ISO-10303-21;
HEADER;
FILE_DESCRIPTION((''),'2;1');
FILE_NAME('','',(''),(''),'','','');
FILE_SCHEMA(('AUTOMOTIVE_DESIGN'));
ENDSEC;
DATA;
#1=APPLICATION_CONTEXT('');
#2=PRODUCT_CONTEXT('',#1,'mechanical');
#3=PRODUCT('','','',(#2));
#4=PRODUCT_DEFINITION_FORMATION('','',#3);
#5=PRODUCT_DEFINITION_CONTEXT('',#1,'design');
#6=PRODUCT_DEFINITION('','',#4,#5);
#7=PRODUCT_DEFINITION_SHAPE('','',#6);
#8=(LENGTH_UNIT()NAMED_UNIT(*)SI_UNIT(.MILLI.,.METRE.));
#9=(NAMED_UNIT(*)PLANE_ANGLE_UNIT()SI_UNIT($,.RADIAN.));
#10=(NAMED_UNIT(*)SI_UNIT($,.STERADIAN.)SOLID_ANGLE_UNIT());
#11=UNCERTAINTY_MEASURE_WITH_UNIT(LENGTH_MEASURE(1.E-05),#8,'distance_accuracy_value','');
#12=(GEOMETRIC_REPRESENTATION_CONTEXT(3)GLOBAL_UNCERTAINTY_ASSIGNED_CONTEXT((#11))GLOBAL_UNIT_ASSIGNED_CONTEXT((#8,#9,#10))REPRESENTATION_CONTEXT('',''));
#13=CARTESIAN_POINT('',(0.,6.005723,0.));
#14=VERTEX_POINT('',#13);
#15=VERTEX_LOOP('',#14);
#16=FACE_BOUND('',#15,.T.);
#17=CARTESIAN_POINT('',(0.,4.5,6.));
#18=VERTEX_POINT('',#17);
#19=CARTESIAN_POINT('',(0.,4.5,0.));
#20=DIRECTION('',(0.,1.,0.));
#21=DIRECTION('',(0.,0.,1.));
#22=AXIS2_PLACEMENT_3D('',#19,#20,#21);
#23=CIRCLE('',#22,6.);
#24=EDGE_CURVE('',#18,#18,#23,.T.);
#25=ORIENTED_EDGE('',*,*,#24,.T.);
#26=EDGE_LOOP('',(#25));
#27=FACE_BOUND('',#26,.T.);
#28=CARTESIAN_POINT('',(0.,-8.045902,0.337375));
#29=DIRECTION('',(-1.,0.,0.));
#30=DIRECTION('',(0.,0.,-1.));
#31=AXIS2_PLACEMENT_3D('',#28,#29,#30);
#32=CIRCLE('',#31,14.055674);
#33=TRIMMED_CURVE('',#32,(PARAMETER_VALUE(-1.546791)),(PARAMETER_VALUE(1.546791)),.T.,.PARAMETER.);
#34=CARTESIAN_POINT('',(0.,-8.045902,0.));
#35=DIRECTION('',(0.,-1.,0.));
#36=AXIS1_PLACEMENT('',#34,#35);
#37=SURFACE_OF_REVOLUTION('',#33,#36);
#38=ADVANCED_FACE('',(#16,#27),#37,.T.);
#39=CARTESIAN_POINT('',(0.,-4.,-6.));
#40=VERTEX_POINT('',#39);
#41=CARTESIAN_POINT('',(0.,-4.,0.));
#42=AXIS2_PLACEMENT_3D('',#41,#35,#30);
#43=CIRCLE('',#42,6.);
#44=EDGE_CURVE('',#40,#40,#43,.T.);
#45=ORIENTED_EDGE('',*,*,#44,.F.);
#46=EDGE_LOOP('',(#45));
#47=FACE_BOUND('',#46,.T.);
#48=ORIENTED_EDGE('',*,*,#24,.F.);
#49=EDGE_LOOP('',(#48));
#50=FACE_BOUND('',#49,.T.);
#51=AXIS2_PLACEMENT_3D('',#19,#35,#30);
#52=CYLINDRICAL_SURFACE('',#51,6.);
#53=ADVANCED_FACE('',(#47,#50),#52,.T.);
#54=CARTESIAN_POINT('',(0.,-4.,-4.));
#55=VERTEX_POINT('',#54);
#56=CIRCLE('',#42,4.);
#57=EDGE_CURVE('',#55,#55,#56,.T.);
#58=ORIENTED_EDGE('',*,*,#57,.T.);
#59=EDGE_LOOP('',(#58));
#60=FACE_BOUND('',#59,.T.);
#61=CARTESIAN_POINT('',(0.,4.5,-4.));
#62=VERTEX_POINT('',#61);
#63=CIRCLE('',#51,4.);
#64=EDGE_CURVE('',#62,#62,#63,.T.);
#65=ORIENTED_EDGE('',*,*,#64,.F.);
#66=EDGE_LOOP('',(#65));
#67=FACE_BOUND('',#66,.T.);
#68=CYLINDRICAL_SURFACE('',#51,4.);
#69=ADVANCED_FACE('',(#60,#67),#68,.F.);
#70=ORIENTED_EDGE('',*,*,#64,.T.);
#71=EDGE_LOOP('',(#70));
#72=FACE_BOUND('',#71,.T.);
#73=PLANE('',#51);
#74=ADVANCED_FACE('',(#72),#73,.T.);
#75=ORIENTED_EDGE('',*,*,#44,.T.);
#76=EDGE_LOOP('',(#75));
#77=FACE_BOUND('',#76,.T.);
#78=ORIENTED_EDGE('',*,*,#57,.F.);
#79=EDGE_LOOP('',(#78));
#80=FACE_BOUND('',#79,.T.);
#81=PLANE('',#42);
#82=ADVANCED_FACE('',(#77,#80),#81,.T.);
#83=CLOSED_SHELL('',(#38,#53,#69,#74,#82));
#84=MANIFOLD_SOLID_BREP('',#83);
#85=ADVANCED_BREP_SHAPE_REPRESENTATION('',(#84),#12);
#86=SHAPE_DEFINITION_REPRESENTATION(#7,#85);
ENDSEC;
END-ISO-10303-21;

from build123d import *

# Parameters (mm, degrees)
IZIM1_R                     = 6
IZIM1_R_2                   = 4
Y_KSEKLIK_EKSTR_ZYON1_DEPTH = 4.5
BOSS_EXTRUDE1_START         = 4
SKETCH1_R                   = 6
SKETCH1_R_2                 = 4
BOSS_EXTRUDE1_DEPTH         = 4


with BuildPart() as part:
    # Çizim1 → Yükseklik-Ekstrüzyon1 (new body)
    with BuildSketch(Plane(origin=(0, 0, 0), x_dir=(1, 0, 0), z_dir=(0, 1, 0))):
        with Locations(Location((0, 0, 0), (0, 0, 270))):
            Circle(IZIM1_R)
        with Locations(Location((0, 0, 0), (0, 0, 270))):
            Circle(IZIM1_R_2, mode=Mode.SUBTRACT)
    extrude(amount=Y_KSEKLIK_EKSTR_ZYON1_DEPTH)

    # Çizim2 → Döndür1 (revolve)
    with BuildSketch(Plane(origin=(0, 0, 0), x_dir=(0, 0, -1), z_dir=(1, 0, 0))):
        with BuildLine():
            Line((0, 4.5), (0, 6.005722605))
            ThreePointArc((0, 6.005722605), (3.083863381, 5.587039913), (6, 4.5))
            Line((6, 4.5), (0, 4.5))
        make_face()
    revolve(axis=Axis((0, 4.5, 0), (0, 1, 0)))

    # Sketch1 → Boss-Extrude1 (add)
    with BuildSketch(Plane.XZ.offset(BOSS_EXTRUDE1_START)):
        with Locations(Location((0, 0, 0), (0, 0, 270))):
            Circle(SKETCH1_R)
        with Locations(Location((0, 0, 0), (0, 0, 270))):
            Circle(SKETCH1_R_2, mode=Mode.SUBTRACT)
    extrude(amount=-BOSS_EXTRUDE1_DEPTH)


solid = part.part
